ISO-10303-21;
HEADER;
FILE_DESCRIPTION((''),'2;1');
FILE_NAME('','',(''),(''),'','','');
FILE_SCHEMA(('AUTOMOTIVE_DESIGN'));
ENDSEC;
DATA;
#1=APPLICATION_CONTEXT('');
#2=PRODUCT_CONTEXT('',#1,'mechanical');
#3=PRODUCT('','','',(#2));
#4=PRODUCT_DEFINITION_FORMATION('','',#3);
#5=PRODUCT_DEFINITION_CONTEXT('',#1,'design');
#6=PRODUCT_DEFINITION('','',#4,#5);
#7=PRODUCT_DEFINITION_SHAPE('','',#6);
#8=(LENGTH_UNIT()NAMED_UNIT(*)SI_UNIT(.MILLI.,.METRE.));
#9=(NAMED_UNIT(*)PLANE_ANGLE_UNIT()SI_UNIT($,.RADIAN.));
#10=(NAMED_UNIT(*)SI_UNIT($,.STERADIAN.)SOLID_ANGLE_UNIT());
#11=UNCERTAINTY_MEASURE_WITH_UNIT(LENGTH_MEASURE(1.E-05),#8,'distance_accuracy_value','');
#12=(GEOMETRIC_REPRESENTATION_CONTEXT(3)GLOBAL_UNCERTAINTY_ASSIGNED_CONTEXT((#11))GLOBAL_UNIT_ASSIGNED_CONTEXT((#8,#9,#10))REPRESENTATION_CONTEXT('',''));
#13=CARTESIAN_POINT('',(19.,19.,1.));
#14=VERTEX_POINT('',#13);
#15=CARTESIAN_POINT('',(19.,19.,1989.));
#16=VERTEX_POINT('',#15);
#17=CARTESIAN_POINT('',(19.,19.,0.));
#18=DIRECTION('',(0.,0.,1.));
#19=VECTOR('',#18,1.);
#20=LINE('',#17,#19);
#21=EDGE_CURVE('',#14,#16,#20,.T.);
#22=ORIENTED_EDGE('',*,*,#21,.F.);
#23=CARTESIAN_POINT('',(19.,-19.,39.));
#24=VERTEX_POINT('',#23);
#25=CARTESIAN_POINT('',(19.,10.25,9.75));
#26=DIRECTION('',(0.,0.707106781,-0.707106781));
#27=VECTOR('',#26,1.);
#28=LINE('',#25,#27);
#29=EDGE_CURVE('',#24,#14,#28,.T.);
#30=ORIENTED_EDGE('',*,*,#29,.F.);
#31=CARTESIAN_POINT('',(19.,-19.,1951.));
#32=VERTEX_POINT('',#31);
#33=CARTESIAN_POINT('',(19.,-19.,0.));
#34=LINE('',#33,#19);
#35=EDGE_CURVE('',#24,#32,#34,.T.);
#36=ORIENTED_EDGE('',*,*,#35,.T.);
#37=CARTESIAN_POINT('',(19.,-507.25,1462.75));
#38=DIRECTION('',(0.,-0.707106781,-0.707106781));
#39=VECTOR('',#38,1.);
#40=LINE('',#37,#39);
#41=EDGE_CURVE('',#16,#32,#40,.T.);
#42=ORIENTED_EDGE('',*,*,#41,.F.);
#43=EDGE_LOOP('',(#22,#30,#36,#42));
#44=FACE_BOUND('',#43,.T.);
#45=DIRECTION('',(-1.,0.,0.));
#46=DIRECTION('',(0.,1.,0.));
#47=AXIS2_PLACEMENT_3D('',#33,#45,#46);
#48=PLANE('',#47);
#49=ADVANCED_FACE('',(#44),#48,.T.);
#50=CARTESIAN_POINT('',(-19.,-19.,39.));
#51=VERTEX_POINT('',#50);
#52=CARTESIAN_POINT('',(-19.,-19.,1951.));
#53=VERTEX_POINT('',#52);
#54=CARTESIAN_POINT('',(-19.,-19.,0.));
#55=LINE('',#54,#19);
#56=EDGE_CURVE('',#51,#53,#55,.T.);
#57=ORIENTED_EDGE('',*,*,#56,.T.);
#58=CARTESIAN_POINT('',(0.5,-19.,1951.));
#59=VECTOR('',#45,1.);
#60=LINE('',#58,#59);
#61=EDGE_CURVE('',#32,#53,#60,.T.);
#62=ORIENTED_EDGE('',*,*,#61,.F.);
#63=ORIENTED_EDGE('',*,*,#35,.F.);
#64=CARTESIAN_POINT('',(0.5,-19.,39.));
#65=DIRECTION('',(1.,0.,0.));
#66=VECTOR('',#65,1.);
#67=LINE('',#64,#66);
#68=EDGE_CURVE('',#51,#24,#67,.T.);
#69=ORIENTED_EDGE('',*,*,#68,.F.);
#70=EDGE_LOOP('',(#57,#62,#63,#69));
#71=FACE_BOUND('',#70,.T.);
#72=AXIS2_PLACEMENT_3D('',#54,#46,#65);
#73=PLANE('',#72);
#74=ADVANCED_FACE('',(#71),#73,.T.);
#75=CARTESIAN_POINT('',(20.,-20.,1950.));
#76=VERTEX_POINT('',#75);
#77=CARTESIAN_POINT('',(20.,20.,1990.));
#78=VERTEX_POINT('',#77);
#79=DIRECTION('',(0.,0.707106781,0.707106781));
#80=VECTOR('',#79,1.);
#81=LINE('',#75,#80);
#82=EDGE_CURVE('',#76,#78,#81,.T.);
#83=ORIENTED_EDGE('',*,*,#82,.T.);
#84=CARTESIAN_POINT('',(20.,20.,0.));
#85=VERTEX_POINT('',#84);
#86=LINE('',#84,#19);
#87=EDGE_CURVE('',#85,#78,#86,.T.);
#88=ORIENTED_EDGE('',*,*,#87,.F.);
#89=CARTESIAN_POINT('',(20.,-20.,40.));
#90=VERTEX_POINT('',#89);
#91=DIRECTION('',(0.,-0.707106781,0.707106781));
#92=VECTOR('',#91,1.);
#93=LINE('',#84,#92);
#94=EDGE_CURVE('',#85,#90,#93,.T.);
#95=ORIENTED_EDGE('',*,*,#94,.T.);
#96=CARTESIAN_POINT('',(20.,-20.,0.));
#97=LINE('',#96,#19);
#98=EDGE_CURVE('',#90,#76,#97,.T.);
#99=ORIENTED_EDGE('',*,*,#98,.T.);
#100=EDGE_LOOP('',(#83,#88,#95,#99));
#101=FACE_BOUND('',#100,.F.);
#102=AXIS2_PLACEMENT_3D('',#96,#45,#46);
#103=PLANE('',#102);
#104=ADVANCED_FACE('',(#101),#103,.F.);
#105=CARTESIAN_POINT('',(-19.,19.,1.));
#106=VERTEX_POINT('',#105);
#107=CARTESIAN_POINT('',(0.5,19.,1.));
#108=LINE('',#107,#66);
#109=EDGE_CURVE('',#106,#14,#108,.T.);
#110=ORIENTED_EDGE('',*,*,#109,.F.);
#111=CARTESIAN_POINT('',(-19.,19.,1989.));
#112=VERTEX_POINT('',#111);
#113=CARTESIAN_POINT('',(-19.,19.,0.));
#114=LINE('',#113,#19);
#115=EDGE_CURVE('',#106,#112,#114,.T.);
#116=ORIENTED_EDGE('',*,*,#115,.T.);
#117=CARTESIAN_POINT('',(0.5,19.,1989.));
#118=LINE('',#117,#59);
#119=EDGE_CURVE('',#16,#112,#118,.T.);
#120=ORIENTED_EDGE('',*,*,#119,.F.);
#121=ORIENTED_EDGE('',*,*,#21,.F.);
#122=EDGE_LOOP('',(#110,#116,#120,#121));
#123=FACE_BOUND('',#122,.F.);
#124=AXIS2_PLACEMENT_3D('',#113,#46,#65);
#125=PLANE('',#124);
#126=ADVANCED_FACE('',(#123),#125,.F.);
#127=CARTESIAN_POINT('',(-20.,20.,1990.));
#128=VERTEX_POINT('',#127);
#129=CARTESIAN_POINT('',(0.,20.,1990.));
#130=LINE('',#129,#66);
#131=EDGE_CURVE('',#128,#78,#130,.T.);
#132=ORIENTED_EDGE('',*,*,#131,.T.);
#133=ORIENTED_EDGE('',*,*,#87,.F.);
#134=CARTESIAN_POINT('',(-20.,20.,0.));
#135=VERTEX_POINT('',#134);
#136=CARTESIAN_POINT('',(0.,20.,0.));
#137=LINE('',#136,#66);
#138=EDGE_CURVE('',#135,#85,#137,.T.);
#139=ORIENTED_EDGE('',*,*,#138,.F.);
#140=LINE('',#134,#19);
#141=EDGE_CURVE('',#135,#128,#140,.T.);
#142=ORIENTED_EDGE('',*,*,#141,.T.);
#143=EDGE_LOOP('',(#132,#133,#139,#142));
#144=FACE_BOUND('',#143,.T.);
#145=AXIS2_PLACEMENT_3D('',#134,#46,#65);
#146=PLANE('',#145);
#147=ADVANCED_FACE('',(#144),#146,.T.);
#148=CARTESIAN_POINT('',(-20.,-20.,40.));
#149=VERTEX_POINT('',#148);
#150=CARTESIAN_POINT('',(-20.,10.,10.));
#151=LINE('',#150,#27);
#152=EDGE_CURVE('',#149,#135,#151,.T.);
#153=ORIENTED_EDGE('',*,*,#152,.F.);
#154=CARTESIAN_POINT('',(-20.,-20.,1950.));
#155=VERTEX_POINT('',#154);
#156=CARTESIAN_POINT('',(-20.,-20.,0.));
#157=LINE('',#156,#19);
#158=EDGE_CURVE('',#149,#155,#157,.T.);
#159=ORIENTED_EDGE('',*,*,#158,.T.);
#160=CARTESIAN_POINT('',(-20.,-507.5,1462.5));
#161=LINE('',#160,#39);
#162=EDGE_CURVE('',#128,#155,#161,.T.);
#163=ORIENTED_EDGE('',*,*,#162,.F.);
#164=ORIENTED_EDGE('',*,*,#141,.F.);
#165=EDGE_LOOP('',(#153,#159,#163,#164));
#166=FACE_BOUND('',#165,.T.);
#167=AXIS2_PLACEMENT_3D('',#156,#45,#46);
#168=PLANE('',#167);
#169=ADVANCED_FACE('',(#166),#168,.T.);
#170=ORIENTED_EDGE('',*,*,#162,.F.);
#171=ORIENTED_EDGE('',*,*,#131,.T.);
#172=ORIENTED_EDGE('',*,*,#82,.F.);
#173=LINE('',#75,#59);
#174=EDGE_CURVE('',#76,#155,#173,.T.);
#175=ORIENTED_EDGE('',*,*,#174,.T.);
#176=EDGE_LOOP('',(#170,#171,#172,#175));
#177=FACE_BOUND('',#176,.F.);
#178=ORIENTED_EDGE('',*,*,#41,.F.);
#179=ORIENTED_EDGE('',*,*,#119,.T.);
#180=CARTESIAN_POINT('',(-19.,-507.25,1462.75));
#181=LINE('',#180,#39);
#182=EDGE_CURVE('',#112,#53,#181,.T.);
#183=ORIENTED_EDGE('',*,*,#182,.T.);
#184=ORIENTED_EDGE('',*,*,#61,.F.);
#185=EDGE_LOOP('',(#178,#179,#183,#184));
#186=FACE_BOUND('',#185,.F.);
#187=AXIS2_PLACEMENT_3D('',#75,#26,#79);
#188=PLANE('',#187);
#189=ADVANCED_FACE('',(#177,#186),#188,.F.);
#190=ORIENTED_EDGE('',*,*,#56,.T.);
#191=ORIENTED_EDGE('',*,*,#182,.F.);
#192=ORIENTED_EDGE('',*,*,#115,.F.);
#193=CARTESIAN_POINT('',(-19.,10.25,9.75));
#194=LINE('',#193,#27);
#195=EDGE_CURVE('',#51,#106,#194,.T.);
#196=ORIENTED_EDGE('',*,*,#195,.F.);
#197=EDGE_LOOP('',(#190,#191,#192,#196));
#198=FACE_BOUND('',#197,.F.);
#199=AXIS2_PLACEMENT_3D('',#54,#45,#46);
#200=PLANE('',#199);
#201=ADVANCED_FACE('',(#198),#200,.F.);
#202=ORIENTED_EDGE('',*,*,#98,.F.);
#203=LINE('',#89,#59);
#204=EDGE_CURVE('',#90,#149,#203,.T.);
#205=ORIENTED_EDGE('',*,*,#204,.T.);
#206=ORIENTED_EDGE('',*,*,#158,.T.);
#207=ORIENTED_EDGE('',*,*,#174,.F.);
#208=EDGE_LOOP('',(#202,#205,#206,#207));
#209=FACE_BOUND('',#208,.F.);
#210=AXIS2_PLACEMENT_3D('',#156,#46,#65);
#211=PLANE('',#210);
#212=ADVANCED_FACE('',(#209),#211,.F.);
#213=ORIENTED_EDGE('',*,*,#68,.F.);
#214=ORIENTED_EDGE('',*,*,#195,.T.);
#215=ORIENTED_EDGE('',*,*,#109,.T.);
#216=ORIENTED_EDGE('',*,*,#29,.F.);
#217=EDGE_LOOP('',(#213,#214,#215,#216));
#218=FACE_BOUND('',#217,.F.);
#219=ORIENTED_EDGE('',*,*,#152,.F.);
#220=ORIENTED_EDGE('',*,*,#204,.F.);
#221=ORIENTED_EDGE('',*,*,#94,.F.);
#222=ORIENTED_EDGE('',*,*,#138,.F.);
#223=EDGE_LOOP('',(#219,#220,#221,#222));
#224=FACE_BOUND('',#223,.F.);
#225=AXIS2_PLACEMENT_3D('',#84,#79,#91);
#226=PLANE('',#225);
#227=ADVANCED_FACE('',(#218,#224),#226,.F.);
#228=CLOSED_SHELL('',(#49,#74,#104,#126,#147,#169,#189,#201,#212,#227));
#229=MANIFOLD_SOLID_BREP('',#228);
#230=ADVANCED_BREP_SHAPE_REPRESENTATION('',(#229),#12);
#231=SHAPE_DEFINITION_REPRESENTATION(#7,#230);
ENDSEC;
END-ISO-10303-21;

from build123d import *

# Parameters (mm, degrees)
F0_W     = 40
F0_H     = 40
F0_W_2   = 38
F0_H_2   = 38
F1_DEPTH = 1990
F3_DEPTH = 100
F5_DEPTH = 99


with BuildPart() as f1:
    # F0 (on Top) → F1 (new body)
    with BuildSketch(Plane.XY):
        Rectangle(F0_W, F0_H)
        Rectangle(F0_W_2, F0_H_2, mode=Mode.SUBTRACT)
    extrude(amount=F1_DEPTH)

    # F2 (on face) → F3 (cut)
    with BuildSketch(Plane.YZ.offset(20)):
        Polygon((-20, 1950), (20, 1990), (-20, 1990), align=None)
    extrude(amount=-F3_DEPTH, mode=Mode.SUBTRACT)

    # F4 (on face) → F5 (cut)
    with BuildSketch(Plane.YZ.offset(20)):
        Polygon((-20, 0), (20, 0), (-20, 40), align=None)
    extrude(amount=-F5_DEPTH, mode=Mode.SUBTRACT)


solid = f1.part
